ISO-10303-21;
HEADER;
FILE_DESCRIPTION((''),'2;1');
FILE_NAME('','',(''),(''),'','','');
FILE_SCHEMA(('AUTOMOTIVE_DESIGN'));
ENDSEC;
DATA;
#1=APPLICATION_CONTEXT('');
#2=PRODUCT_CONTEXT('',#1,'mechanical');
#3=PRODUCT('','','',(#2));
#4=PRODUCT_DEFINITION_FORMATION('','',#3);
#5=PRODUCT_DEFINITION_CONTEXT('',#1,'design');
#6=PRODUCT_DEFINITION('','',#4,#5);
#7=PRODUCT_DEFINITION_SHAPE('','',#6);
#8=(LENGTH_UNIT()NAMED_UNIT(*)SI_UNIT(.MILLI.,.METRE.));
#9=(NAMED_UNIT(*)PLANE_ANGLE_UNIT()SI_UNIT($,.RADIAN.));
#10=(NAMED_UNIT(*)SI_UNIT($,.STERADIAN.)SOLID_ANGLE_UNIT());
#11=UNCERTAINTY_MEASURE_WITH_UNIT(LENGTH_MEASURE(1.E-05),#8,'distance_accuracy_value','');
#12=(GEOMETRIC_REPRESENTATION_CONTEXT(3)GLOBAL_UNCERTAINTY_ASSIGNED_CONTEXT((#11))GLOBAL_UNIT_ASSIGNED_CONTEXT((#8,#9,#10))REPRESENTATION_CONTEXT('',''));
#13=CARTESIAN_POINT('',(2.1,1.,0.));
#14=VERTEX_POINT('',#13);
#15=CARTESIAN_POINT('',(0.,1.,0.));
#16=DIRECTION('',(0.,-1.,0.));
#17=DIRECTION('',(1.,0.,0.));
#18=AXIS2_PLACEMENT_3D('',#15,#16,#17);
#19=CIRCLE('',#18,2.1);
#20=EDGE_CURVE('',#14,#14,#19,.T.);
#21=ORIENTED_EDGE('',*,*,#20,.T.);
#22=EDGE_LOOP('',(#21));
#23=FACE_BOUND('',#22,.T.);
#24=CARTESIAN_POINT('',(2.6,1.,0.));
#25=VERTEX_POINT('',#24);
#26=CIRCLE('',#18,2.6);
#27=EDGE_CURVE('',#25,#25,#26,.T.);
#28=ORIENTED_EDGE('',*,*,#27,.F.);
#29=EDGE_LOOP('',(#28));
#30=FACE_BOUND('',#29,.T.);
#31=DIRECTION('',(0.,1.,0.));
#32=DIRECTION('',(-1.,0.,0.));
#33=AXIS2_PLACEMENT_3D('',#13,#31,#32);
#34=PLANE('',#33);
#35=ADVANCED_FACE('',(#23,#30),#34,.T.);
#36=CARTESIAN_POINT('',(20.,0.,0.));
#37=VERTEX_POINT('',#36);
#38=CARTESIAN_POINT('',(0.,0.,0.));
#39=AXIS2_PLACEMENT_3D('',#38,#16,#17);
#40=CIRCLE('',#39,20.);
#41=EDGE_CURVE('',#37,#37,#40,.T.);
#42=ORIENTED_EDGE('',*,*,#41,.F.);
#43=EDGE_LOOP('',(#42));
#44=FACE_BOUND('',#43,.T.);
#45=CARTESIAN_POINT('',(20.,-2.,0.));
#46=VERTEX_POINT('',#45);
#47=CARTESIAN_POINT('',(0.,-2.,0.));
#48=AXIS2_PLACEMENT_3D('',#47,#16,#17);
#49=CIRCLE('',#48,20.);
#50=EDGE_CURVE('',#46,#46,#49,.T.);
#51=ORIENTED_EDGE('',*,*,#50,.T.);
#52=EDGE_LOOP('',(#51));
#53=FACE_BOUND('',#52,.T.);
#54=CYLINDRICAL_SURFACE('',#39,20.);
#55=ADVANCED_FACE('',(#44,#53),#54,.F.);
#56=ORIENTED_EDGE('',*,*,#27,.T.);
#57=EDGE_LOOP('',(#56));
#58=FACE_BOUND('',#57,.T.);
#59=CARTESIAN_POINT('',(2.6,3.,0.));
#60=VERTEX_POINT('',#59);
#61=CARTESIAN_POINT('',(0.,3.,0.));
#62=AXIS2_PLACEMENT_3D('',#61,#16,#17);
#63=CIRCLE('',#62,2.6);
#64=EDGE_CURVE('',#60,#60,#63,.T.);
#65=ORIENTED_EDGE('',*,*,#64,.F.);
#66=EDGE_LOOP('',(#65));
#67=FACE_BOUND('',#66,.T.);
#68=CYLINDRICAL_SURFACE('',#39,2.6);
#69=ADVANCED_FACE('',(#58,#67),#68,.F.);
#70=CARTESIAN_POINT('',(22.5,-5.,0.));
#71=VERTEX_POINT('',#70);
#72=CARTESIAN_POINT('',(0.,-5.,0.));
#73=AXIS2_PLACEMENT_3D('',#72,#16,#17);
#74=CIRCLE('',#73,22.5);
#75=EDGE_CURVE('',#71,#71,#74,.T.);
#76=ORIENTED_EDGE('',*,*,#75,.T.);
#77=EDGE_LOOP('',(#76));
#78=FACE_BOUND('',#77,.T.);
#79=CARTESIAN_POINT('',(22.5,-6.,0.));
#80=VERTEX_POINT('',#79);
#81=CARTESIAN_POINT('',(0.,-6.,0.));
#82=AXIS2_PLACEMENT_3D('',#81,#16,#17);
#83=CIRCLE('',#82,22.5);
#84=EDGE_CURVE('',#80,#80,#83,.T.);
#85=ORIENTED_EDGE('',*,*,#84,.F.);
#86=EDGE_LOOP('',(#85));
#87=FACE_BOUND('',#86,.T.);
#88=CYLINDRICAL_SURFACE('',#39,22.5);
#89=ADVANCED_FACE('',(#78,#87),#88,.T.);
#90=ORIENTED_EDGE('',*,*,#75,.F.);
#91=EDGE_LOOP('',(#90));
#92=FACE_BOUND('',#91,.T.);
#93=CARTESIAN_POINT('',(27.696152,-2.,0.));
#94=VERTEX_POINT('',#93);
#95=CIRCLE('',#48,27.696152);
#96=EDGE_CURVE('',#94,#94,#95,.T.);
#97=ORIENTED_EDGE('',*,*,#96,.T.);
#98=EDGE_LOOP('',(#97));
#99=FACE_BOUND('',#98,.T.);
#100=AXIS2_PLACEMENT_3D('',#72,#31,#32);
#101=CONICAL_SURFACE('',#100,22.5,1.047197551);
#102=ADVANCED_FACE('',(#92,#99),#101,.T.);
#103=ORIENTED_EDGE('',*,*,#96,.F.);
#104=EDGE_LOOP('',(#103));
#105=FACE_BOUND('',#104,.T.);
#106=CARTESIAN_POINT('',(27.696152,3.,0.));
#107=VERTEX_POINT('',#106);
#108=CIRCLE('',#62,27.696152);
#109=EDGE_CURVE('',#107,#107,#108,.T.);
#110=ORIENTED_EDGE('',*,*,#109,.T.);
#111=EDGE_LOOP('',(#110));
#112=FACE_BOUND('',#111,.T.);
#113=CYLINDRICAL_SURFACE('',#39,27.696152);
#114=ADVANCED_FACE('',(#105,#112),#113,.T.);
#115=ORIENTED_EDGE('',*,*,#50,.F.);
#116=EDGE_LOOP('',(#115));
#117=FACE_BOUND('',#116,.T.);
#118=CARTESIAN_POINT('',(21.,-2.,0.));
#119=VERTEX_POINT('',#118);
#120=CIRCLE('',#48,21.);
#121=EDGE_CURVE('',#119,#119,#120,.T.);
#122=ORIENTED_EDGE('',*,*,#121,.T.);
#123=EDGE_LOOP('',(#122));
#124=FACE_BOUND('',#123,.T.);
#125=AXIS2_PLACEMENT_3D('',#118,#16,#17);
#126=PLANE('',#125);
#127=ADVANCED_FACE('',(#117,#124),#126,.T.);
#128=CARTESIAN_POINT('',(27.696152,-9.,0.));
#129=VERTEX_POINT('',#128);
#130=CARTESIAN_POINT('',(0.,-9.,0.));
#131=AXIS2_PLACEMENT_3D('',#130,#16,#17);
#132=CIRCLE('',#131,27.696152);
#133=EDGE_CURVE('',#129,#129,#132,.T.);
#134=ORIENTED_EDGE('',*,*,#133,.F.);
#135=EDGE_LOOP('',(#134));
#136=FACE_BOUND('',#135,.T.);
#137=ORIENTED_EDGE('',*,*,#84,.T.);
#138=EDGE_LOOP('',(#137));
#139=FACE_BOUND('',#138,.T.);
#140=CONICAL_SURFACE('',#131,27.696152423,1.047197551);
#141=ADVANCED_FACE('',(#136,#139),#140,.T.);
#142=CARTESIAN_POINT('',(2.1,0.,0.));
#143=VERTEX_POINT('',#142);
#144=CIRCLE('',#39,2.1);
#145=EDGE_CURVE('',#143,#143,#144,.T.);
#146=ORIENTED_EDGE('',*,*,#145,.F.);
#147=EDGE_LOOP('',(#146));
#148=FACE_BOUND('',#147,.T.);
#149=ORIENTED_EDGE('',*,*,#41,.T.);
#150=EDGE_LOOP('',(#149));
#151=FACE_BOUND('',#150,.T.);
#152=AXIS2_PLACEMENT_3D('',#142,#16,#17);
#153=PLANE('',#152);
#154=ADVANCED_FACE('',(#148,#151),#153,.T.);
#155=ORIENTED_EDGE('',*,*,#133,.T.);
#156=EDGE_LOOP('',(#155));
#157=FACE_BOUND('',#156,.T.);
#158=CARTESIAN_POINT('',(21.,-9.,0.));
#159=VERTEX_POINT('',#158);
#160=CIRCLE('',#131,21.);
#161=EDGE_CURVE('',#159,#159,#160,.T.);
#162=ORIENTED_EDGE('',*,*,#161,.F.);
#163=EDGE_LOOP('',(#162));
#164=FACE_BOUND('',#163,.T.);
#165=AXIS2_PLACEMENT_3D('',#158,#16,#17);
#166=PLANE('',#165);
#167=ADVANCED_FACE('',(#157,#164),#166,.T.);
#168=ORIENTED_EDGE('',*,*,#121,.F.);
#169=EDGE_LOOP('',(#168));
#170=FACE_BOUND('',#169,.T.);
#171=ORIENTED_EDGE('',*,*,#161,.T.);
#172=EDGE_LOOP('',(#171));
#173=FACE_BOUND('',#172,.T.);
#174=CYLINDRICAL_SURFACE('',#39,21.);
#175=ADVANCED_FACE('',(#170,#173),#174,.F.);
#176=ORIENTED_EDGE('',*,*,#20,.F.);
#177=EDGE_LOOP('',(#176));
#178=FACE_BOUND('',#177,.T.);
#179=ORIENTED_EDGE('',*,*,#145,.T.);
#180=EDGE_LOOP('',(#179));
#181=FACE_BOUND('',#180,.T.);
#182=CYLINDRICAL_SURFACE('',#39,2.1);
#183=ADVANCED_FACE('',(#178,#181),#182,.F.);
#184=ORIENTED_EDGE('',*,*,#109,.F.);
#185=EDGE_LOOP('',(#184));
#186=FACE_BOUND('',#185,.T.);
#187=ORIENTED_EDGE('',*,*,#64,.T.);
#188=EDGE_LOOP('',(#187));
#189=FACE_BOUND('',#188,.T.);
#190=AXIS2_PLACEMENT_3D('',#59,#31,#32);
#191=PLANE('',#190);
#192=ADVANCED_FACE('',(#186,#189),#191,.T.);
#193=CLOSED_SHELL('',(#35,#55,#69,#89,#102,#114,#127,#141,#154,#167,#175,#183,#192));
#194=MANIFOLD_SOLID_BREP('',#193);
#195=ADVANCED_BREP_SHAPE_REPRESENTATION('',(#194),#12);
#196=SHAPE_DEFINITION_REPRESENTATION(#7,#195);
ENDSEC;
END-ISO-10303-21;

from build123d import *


with BuildPart() as part:
    # Sketch1 → Revolve1 (revolve)
    with BuildSketch(Plane.XY):
        Polygon((2.1, 1), (2.6, 1), (2.6, 3), (27.696152423, 3), (27.696152423, -2), (22.5, -5), (22.5, -6), (27.696152423, -9), (21, -9), (21, -2), (20, -2), (20, 0), (2.1, 0), align=None)
    revolve(axis=Axis((0, 0, 0), (0, 1, 0)))


solid = part.part
